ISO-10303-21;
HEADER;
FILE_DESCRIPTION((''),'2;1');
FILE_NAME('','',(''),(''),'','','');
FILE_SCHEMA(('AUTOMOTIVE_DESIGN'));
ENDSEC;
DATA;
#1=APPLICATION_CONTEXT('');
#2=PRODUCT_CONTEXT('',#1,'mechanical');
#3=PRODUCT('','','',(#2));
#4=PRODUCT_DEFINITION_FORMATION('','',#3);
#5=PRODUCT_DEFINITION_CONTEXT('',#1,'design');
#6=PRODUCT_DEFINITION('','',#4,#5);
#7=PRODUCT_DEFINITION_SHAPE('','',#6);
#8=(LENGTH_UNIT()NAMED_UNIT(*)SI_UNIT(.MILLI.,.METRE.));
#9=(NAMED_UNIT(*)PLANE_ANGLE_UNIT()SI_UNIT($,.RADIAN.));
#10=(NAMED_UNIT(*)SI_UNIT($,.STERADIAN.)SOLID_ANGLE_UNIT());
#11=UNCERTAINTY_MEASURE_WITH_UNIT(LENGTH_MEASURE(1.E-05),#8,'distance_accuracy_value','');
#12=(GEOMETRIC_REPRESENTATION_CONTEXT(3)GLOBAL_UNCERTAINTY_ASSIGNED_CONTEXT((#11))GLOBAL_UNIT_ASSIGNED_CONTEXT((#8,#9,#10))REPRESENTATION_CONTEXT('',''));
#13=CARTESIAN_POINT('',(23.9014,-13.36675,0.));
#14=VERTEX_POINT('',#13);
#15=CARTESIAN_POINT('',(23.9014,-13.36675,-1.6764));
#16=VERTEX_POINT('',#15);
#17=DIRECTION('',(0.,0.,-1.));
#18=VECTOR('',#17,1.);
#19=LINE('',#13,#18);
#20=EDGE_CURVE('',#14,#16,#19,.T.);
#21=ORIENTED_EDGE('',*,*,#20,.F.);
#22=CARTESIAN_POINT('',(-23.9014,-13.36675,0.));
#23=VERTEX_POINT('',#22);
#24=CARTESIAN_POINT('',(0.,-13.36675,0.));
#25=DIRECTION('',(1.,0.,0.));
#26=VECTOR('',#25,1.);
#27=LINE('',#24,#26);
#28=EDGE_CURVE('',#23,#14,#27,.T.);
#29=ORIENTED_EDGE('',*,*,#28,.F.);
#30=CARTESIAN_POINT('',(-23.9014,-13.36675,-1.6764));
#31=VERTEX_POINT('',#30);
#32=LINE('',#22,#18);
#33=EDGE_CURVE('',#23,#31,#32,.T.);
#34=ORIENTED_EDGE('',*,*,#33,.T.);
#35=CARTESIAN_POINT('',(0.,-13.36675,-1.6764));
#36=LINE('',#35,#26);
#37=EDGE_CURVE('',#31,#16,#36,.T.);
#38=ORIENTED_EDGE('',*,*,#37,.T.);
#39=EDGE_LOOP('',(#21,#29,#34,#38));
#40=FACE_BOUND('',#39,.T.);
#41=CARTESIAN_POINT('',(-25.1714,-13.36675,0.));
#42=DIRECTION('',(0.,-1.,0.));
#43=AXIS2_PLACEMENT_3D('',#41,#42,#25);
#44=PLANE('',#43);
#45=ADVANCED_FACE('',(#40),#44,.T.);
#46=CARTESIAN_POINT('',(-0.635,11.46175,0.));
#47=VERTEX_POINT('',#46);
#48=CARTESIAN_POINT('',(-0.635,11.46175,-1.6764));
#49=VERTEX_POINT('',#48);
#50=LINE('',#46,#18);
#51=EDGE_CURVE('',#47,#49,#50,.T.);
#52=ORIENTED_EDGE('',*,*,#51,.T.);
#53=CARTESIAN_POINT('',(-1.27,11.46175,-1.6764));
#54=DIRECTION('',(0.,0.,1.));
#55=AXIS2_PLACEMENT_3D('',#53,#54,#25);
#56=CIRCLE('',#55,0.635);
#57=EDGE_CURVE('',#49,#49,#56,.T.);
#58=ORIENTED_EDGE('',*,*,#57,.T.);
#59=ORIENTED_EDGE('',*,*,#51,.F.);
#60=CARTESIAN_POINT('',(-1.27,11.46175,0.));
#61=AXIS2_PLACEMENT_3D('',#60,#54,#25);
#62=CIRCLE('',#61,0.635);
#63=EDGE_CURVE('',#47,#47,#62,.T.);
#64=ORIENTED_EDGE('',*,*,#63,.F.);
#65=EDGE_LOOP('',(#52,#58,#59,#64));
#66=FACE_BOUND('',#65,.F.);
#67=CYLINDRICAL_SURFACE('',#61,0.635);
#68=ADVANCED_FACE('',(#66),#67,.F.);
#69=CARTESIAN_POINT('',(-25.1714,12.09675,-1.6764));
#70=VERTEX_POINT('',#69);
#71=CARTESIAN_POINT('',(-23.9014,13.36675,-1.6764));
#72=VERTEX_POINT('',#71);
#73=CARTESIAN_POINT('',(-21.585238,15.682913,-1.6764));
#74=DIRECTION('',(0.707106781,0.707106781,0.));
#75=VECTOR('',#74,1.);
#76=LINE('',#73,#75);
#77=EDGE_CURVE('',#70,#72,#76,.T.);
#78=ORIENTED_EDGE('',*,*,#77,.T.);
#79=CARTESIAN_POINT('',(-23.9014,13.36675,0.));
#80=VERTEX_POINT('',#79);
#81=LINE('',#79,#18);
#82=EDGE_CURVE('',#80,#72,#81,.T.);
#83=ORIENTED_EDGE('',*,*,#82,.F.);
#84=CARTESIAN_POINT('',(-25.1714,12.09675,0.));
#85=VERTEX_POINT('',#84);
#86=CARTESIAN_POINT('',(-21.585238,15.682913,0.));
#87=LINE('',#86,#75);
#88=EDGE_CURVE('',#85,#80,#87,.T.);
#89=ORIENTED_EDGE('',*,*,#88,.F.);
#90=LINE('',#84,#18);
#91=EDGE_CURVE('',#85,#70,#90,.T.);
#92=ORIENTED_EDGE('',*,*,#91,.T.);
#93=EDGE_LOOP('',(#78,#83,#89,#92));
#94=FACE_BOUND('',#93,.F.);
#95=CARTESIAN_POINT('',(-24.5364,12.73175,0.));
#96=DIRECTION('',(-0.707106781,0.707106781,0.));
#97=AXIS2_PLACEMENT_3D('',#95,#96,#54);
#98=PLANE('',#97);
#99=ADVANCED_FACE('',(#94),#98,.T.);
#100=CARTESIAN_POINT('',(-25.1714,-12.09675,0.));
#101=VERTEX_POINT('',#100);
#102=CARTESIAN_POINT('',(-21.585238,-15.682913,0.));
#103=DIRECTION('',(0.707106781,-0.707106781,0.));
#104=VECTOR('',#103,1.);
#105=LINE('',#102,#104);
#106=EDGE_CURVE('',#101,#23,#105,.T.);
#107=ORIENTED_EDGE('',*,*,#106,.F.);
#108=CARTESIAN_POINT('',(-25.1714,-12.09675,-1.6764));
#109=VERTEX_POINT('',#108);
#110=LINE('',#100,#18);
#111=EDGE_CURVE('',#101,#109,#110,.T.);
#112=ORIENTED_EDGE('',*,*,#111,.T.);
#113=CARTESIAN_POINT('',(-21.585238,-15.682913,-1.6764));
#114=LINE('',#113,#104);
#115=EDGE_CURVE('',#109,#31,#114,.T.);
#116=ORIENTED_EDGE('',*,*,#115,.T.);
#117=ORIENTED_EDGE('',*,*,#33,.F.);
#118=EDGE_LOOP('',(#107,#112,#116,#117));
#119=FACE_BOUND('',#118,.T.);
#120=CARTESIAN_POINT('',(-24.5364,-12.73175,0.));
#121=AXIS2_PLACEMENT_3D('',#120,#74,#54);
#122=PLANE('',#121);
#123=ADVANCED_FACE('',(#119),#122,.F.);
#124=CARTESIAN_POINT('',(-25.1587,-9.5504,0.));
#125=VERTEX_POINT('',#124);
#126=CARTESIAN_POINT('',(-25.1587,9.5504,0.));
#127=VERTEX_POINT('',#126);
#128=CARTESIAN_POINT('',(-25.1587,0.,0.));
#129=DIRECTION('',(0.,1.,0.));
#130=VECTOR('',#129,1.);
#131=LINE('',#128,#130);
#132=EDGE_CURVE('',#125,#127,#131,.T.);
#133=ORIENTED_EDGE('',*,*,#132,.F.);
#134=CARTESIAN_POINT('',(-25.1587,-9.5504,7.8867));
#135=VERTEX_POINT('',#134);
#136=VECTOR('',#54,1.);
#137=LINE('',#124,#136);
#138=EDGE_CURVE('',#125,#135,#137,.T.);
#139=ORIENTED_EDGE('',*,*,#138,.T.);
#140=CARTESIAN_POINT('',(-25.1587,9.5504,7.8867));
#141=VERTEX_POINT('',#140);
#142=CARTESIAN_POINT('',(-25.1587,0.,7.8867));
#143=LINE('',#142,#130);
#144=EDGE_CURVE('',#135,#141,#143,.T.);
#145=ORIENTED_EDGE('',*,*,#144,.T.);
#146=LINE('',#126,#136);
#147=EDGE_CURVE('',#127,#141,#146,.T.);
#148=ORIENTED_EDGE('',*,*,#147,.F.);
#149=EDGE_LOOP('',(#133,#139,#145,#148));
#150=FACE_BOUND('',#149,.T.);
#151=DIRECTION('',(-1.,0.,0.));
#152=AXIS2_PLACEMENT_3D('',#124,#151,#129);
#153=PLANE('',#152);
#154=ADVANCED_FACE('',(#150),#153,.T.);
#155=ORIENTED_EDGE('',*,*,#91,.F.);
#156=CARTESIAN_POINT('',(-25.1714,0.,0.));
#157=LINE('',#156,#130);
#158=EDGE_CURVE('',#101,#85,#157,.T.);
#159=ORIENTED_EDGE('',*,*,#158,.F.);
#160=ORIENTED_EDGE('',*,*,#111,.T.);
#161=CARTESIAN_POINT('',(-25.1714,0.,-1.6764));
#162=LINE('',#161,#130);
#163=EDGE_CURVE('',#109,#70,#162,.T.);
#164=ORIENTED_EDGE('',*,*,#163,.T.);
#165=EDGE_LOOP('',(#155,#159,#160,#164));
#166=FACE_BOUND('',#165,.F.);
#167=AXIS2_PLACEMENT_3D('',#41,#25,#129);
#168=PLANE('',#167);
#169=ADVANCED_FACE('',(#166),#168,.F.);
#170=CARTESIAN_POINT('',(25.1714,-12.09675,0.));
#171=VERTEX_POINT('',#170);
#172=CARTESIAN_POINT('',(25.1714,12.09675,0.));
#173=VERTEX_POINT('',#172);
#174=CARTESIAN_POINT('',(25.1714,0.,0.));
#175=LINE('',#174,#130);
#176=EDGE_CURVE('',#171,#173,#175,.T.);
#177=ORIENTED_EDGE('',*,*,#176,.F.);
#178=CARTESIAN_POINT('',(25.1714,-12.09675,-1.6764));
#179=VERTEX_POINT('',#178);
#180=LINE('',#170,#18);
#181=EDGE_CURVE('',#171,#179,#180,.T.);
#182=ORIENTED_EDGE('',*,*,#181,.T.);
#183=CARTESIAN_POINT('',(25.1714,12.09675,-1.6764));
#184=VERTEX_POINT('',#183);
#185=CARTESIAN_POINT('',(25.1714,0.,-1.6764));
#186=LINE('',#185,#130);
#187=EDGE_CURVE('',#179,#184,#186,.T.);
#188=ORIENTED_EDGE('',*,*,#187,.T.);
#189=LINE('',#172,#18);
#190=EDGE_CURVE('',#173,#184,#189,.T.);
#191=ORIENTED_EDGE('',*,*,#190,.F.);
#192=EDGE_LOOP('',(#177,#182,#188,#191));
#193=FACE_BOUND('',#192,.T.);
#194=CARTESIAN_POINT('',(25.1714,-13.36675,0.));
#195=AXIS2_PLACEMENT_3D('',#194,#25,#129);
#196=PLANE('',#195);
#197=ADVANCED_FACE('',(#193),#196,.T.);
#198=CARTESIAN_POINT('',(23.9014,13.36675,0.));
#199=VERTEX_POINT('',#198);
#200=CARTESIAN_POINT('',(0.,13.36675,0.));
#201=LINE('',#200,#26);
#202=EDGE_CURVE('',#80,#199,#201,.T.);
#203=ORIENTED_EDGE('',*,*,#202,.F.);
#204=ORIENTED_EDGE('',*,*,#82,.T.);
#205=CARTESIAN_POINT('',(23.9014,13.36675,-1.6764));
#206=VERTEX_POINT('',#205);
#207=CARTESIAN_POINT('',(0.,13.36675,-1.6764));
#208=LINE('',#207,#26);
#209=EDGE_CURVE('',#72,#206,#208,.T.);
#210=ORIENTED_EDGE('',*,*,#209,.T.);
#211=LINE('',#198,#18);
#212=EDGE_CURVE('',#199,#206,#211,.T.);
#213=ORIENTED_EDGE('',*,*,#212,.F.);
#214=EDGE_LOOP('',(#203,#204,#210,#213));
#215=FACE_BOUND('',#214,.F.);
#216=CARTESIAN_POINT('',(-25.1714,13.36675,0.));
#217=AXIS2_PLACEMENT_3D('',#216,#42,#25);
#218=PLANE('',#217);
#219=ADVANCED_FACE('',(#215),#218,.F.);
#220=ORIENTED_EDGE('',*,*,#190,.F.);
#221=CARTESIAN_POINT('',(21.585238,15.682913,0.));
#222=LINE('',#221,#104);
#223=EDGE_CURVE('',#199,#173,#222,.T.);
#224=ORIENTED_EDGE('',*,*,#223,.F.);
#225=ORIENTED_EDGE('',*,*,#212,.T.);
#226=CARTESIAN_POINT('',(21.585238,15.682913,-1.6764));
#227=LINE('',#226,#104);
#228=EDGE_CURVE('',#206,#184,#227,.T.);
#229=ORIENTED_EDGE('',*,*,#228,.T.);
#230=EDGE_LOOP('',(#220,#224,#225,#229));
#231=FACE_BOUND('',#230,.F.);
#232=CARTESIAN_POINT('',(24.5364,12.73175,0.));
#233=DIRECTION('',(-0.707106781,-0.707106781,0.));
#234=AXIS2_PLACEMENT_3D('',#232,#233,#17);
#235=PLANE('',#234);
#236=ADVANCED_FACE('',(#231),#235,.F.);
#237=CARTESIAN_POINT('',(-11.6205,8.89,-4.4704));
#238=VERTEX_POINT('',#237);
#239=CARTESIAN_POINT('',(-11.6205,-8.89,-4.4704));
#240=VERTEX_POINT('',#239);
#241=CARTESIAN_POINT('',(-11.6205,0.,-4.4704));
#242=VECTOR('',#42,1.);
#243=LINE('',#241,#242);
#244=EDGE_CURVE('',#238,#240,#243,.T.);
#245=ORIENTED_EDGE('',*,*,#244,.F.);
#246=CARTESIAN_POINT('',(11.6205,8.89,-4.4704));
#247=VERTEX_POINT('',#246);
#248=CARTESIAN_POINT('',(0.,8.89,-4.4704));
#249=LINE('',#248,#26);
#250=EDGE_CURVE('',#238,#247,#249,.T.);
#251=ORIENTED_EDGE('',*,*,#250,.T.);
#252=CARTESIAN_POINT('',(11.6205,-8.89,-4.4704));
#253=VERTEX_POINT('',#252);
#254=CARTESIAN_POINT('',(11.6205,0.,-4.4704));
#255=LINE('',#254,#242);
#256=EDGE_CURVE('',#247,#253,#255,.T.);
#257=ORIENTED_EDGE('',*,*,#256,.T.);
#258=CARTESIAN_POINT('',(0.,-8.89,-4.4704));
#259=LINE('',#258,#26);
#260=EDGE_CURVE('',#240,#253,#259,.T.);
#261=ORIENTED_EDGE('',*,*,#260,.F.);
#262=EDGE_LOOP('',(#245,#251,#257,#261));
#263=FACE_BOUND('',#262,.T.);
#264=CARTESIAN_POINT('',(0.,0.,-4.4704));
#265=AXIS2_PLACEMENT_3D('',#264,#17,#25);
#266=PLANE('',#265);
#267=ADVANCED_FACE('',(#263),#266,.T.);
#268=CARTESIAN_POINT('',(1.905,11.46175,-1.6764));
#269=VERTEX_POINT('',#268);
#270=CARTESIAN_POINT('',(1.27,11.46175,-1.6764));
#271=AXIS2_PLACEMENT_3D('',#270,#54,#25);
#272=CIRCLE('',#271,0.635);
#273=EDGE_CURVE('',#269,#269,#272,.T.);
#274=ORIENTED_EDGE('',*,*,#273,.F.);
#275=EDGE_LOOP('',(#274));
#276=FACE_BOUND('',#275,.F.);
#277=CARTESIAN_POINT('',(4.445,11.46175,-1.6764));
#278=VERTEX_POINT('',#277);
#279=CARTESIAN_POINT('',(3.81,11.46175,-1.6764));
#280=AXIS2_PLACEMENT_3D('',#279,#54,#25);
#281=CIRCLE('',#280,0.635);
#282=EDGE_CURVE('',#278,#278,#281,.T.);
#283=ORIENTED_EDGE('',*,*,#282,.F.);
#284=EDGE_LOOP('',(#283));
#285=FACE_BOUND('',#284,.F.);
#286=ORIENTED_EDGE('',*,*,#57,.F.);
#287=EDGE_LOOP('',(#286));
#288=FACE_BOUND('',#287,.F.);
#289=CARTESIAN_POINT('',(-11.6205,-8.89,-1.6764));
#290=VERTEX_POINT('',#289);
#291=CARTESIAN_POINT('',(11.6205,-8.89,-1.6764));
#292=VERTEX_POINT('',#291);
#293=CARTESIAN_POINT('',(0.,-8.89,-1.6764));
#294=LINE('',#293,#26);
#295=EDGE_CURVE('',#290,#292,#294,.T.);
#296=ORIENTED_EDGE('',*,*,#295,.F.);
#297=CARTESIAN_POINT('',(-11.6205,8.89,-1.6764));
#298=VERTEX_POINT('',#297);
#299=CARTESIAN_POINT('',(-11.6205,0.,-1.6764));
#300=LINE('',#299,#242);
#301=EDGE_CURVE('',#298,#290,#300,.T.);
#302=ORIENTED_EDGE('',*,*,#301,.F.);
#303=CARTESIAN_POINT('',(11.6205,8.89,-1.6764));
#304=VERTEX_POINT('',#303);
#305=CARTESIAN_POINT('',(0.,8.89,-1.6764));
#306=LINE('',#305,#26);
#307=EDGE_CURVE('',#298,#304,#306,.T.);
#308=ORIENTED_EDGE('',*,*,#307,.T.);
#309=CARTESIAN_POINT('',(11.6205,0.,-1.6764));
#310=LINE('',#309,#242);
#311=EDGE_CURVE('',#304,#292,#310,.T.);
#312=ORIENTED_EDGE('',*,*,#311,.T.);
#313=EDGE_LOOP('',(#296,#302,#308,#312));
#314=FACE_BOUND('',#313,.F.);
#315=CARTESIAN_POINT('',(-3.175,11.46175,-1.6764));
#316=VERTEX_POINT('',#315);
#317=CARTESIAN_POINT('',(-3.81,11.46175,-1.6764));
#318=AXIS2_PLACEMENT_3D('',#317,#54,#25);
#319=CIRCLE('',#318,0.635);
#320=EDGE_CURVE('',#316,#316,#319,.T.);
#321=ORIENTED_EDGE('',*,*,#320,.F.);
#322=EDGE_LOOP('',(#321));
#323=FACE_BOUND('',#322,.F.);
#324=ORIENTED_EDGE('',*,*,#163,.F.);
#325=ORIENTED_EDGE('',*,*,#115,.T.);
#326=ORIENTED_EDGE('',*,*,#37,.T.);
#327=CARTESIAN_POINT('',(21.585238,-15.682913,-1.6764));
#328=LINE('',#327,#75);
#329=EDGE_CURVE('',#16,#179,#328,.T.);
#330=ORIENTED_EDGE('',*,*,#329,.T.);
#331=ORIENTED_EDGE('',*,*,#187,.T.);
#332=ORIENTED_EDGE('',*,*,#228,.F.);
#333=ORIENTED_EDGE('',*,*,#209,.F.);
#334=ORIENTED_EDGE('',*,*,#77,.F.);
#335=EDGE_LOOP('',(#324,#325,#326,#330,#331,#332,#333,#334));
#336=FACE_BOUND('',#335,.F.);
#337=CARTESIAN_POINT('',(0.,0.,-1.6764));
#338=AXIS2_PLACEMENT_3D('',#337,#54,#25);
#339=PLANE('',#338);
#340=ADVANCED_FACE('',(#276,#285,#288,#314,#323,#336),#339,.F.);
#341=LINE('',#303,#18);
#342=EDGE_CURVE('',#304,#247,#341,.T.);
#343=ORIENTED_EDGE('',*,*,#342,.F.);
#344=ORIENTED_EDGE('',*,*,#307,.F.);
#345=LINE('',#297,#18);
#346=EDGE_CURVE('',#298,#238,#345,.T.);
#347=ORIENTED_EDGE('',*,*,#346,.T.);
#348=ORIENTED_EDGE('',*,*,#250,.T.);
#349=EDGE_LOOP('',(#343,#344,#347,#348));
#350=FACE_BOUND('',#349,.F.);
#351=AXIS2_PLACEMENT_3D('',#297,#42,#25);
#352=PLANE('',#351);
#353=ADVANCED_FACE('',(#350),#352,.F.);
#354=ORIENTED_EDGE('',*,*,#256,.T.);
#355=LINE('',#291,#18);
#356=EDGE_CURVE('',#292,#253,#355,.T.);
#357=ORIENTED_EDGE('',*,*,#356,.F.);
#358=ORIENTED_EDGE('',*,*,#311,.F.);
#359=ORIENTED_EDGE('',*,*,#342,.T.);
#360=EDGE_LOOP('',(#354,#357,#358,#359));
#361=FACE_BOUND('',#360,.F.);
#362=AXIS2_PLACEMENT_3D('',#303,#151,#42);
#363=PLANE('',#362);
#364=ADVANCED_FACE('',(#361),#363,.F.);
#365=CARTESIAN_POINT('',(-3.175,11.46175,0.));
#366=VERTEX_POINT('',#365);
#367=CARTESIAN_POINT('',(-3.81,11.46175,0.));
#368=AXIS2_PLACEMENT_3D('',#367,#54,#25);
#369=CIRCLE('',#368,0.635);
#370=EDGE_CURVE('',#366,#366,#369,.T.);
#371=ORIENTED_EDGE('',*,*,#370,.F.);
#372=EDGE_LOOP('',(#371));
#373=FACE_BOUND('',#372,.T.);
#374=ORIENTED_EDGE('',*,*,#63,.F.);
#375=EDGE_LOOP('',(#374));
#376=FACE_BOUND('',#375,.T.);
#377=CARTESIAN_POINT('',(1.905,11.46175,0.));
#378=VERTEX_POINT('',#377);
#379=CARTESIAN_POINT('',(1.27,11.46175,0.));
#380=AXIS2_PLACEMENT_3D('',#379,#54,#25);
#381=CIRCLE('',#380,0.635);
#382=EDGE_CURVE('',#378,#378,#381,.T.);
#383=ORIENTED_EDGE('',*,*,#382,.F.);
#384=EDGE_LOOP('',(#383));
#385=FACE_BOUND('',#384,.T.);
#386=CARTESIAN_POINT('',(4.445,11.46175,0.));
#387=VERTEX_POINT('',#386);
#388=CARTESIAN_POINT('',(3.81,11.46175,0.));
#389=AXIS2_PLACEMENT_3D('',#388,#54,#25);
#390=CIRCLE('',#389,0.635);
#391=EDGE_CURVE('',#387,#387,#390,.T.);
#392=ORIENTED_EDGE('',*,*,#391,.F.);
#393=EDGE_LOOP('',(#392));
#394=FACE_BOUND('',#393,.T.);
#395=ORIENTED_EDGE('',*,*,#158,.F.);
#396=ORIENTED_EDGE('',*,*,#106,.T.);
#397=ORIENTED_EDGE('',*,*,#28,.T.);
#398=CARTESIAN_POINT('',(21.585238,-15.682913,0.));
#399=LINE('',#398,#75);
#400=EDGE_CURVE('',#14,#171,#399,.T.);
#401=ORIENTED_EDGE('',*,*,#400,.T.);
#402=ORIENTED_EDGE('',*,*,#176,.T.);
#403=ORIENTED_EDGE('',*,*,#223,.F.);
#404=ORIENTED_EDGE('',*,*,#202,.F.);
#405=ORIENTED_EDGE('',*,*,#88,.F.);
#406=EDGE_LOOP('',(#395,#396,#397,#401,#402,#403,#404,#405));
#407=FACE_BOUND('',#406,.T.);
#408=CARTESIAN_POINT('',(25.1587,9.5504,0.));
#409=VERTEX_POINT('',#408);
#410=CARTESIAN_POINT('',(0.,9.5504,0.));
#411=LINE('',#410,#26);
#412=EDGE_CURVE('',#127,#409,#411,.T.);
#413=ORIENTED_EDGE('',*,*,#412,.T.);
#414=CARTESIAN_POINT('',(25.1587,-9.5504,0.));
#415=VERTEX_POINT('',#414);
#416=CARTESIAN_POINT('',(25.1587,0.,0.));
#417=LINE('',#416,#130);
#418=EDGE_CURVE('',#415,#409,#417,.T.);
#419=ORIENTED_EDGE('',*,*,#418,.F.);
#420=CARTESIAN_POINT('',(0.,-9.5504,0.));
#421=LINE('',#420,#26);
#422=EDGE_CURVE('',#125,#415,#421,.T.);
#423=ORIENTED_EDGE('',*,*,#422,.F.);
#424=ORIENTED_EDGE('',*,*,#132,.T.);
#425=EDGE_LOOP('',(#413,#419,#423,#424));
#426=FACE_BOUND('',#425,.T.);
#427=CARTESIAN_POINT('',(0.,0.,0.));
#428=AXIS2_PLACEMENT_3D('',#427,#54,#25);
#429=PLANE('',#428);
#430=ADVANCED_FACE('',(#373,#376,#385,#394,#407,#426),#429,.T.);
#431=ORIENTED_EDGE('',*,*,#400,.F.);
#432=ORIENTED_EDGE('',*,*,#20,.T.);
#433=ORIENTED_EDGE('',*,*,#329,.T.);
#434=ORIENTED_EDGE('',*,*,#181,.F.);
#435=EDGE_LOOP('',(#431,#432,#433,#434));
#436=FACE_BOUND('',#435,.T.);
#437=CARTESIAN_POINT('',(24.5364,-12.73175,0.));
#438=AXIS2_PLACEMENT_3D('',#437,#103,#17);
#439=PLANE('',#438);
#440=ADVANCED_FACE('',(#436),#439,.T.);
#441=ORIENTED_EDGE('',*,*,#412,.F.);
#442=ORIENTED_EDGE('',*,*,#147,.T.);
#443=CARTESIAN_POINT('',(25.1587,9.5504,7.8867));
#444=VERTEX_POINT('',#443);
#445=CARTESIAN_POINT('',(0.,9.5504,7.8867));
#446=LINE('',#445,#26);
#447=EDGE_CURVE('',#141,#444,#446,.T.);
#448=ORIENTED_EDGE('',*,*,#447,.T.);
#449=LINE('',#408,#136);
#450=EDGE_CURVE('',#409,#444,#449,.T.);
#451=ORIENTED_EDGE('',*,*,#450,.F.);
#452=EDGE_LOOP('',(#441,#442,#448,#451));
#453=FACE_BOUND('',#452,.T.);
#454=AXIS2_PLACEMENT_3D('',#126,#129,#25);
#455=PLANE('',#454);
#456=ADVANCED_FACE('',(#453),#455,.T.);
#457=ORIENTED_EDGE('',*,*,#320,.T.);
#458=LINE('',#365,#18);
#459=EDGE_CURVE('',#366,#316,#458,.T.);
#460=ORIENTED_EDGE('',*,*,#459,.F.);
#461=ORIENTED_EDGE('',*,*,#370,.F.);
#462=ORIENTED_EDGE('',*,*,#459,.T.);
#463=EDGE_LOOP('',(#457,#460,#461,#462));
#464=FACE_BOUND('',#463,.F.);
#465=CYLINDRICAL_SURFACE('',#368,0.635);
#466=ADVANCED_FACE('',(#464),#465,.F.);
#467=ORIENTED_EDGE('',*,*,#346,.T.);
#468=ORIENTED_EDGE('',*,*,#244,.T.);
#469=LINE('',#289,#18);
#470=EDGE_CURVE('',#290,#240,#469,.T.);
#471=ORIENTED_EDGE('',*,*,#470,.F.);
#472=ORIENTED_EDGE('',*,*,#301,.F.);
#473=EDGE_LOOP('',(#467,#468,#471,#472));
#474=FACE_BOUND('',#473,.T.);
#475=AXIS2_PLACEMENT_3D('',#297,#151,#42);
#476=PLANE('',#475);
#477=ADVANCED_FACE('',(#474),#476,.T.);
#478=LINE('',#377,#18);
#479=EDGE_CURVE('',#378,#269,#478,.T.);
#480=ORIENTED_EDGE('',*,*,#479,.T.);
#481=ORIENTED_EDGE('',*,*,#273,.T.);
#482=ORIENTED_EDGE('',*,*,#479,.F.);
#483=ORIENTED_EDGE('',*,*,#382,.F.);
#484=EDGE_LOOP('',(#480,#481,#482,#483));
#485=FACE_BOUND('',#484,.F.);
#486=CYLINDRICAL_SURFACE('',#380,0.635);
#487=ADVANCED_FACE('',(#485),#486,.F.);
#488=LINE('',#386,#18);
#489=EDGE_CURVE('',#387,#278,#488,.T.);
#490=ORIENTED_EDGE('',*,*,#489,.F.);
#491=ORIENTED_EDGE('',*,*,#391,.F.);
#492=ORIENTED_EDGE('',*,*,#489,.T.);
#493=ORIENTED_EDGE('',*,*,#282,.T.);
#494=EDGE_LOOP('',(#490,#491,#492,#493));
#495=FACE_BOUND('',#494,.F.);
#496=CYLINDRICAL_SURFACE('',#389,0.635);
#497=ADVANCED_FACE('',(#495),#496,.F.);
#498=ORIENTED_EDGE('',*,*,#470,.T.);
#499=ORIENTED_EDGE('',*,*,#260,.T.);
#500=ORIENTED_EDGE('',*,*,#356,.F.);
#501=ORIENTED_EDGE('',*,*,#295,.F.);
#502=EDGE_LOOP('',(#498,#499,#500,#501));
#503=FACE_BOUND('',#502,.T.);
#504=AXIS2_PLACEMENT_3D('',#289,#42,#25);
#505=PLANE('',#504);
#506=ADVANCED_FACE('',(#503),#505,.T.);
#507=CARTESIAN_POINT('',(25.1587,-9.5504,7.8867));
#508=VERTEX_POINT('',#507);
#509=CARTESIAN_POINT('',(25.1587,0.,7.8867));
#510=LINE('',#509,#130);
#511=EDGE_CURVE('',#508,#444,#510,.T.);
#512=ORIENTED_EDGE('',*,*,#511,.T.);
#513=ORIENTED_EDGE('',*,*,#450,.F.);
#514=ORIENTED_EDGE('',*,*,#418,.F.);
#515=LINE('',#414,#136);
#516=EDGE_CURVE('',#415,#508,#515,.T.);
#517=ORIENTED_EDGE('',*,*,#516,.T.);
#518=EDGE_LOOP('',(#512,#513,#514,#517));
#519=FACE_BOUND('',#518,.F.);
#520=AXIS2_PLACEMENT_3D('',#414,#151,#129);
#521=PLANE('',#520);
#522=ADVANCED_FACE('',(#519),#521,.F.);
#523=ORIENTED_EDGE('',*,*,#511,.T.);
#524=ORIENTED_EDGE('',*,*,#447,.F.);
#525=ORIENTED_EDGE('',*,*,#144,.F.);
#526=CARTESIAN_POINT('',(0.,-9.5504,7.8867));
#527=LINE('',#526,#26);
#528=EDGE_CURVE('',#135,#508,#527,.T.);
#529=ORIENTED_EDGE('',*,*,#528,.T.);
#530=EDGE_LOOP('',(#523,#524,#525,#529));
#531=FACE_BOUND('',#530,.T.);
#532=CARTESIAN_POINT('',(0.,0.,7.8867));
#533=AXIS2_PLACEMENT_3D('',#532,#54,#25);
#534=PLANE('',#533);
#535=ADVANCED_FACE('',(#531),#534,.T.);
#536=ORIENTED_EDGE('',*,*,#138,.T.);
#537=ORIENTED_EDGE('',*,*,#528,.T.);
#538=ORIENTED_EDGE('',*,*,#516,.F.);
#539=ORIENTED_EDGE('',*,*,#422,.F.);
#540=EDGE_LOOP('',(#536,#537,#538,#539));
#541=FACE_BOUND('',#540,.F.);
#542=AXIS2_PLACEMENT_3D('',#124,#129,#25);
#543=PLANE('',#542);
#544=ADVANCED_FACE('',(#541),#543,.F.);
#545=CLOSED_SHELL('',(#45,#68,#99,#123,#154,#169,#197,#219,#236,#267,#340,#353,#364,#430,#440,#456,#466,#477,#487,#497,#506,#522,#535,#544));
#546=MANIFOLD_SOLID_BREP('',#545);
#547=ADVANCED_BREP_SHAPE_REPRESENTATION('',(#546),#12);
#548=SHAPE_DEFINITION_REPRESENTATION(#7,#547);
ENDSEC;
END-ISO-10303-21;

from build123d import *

# Parameters (mm, degrees)
F0_W     = 50.3428
F0_H     = 26.7335
F1_DEPTH = 1.6764
F2_W     = 50.3174
F2_H     = 19.1008
F3_DEPTH = 7.8867
F4_W     = 23.241
F4_H     = 17.78
F5_DEPTH = 2.794
F6_R     = 0.635
F7_DEPTH = 25.4
F8_SIZE  = 1.27


with BuildPart() as f1:
    # F0 (on Top) → F1 (new body)
    with BuildSketch(Plane.XY):
        Rectangle(F0_W, F0_H)
    extrude(amount=-F1_DEPTH)

    # F2 (on Top) → F3 (join)
    with BuildSketch(Plane.XY):
        Rectangle(F2_W, F2_H)
    extrude(amount=F3_DEPTH)

    # F4 (on face) → F5 (join)
    with BuildSketch(Plane(origin=(0, 0, -1.6764), x_dir=(1, 0, 0), z_dir=(0, 0, -1))):
        Rectangle(F4_W, F4_H)
    extrude(amount=F5_DEPTH)

    # F6 (on Top) → F7 (cut)
    with BuildSketch(Plane.XY):
        with Locations((-3.81, 11.46175)):
            Circle(F6_R)
        with Locations((-1.27, 11.46175)):
            Circle(F6_R)
        with Locations((1.27, 11.46175)):
            Circle(F6_R)
        with Locations((3.81, 11.46175)):
            Circle(F6_R)
    extrude(amount=-F7_DEPTH, mode=Mode.SUBTRACT)

    # F8
    f8_edges = [f1.edges().sort_by_distance(p)[0] for p in [
        (25.1714, 13.36675, -0.8382),
        (25.1714, -13.36675, -0.8382),
        (-25.1714, -13.36675, -0.8382),
        (-25.1714, 13.36675, -0.8382),
    ]]
    chamfer(f8_edges, length=F8_SIZE)


solid = f1.part
